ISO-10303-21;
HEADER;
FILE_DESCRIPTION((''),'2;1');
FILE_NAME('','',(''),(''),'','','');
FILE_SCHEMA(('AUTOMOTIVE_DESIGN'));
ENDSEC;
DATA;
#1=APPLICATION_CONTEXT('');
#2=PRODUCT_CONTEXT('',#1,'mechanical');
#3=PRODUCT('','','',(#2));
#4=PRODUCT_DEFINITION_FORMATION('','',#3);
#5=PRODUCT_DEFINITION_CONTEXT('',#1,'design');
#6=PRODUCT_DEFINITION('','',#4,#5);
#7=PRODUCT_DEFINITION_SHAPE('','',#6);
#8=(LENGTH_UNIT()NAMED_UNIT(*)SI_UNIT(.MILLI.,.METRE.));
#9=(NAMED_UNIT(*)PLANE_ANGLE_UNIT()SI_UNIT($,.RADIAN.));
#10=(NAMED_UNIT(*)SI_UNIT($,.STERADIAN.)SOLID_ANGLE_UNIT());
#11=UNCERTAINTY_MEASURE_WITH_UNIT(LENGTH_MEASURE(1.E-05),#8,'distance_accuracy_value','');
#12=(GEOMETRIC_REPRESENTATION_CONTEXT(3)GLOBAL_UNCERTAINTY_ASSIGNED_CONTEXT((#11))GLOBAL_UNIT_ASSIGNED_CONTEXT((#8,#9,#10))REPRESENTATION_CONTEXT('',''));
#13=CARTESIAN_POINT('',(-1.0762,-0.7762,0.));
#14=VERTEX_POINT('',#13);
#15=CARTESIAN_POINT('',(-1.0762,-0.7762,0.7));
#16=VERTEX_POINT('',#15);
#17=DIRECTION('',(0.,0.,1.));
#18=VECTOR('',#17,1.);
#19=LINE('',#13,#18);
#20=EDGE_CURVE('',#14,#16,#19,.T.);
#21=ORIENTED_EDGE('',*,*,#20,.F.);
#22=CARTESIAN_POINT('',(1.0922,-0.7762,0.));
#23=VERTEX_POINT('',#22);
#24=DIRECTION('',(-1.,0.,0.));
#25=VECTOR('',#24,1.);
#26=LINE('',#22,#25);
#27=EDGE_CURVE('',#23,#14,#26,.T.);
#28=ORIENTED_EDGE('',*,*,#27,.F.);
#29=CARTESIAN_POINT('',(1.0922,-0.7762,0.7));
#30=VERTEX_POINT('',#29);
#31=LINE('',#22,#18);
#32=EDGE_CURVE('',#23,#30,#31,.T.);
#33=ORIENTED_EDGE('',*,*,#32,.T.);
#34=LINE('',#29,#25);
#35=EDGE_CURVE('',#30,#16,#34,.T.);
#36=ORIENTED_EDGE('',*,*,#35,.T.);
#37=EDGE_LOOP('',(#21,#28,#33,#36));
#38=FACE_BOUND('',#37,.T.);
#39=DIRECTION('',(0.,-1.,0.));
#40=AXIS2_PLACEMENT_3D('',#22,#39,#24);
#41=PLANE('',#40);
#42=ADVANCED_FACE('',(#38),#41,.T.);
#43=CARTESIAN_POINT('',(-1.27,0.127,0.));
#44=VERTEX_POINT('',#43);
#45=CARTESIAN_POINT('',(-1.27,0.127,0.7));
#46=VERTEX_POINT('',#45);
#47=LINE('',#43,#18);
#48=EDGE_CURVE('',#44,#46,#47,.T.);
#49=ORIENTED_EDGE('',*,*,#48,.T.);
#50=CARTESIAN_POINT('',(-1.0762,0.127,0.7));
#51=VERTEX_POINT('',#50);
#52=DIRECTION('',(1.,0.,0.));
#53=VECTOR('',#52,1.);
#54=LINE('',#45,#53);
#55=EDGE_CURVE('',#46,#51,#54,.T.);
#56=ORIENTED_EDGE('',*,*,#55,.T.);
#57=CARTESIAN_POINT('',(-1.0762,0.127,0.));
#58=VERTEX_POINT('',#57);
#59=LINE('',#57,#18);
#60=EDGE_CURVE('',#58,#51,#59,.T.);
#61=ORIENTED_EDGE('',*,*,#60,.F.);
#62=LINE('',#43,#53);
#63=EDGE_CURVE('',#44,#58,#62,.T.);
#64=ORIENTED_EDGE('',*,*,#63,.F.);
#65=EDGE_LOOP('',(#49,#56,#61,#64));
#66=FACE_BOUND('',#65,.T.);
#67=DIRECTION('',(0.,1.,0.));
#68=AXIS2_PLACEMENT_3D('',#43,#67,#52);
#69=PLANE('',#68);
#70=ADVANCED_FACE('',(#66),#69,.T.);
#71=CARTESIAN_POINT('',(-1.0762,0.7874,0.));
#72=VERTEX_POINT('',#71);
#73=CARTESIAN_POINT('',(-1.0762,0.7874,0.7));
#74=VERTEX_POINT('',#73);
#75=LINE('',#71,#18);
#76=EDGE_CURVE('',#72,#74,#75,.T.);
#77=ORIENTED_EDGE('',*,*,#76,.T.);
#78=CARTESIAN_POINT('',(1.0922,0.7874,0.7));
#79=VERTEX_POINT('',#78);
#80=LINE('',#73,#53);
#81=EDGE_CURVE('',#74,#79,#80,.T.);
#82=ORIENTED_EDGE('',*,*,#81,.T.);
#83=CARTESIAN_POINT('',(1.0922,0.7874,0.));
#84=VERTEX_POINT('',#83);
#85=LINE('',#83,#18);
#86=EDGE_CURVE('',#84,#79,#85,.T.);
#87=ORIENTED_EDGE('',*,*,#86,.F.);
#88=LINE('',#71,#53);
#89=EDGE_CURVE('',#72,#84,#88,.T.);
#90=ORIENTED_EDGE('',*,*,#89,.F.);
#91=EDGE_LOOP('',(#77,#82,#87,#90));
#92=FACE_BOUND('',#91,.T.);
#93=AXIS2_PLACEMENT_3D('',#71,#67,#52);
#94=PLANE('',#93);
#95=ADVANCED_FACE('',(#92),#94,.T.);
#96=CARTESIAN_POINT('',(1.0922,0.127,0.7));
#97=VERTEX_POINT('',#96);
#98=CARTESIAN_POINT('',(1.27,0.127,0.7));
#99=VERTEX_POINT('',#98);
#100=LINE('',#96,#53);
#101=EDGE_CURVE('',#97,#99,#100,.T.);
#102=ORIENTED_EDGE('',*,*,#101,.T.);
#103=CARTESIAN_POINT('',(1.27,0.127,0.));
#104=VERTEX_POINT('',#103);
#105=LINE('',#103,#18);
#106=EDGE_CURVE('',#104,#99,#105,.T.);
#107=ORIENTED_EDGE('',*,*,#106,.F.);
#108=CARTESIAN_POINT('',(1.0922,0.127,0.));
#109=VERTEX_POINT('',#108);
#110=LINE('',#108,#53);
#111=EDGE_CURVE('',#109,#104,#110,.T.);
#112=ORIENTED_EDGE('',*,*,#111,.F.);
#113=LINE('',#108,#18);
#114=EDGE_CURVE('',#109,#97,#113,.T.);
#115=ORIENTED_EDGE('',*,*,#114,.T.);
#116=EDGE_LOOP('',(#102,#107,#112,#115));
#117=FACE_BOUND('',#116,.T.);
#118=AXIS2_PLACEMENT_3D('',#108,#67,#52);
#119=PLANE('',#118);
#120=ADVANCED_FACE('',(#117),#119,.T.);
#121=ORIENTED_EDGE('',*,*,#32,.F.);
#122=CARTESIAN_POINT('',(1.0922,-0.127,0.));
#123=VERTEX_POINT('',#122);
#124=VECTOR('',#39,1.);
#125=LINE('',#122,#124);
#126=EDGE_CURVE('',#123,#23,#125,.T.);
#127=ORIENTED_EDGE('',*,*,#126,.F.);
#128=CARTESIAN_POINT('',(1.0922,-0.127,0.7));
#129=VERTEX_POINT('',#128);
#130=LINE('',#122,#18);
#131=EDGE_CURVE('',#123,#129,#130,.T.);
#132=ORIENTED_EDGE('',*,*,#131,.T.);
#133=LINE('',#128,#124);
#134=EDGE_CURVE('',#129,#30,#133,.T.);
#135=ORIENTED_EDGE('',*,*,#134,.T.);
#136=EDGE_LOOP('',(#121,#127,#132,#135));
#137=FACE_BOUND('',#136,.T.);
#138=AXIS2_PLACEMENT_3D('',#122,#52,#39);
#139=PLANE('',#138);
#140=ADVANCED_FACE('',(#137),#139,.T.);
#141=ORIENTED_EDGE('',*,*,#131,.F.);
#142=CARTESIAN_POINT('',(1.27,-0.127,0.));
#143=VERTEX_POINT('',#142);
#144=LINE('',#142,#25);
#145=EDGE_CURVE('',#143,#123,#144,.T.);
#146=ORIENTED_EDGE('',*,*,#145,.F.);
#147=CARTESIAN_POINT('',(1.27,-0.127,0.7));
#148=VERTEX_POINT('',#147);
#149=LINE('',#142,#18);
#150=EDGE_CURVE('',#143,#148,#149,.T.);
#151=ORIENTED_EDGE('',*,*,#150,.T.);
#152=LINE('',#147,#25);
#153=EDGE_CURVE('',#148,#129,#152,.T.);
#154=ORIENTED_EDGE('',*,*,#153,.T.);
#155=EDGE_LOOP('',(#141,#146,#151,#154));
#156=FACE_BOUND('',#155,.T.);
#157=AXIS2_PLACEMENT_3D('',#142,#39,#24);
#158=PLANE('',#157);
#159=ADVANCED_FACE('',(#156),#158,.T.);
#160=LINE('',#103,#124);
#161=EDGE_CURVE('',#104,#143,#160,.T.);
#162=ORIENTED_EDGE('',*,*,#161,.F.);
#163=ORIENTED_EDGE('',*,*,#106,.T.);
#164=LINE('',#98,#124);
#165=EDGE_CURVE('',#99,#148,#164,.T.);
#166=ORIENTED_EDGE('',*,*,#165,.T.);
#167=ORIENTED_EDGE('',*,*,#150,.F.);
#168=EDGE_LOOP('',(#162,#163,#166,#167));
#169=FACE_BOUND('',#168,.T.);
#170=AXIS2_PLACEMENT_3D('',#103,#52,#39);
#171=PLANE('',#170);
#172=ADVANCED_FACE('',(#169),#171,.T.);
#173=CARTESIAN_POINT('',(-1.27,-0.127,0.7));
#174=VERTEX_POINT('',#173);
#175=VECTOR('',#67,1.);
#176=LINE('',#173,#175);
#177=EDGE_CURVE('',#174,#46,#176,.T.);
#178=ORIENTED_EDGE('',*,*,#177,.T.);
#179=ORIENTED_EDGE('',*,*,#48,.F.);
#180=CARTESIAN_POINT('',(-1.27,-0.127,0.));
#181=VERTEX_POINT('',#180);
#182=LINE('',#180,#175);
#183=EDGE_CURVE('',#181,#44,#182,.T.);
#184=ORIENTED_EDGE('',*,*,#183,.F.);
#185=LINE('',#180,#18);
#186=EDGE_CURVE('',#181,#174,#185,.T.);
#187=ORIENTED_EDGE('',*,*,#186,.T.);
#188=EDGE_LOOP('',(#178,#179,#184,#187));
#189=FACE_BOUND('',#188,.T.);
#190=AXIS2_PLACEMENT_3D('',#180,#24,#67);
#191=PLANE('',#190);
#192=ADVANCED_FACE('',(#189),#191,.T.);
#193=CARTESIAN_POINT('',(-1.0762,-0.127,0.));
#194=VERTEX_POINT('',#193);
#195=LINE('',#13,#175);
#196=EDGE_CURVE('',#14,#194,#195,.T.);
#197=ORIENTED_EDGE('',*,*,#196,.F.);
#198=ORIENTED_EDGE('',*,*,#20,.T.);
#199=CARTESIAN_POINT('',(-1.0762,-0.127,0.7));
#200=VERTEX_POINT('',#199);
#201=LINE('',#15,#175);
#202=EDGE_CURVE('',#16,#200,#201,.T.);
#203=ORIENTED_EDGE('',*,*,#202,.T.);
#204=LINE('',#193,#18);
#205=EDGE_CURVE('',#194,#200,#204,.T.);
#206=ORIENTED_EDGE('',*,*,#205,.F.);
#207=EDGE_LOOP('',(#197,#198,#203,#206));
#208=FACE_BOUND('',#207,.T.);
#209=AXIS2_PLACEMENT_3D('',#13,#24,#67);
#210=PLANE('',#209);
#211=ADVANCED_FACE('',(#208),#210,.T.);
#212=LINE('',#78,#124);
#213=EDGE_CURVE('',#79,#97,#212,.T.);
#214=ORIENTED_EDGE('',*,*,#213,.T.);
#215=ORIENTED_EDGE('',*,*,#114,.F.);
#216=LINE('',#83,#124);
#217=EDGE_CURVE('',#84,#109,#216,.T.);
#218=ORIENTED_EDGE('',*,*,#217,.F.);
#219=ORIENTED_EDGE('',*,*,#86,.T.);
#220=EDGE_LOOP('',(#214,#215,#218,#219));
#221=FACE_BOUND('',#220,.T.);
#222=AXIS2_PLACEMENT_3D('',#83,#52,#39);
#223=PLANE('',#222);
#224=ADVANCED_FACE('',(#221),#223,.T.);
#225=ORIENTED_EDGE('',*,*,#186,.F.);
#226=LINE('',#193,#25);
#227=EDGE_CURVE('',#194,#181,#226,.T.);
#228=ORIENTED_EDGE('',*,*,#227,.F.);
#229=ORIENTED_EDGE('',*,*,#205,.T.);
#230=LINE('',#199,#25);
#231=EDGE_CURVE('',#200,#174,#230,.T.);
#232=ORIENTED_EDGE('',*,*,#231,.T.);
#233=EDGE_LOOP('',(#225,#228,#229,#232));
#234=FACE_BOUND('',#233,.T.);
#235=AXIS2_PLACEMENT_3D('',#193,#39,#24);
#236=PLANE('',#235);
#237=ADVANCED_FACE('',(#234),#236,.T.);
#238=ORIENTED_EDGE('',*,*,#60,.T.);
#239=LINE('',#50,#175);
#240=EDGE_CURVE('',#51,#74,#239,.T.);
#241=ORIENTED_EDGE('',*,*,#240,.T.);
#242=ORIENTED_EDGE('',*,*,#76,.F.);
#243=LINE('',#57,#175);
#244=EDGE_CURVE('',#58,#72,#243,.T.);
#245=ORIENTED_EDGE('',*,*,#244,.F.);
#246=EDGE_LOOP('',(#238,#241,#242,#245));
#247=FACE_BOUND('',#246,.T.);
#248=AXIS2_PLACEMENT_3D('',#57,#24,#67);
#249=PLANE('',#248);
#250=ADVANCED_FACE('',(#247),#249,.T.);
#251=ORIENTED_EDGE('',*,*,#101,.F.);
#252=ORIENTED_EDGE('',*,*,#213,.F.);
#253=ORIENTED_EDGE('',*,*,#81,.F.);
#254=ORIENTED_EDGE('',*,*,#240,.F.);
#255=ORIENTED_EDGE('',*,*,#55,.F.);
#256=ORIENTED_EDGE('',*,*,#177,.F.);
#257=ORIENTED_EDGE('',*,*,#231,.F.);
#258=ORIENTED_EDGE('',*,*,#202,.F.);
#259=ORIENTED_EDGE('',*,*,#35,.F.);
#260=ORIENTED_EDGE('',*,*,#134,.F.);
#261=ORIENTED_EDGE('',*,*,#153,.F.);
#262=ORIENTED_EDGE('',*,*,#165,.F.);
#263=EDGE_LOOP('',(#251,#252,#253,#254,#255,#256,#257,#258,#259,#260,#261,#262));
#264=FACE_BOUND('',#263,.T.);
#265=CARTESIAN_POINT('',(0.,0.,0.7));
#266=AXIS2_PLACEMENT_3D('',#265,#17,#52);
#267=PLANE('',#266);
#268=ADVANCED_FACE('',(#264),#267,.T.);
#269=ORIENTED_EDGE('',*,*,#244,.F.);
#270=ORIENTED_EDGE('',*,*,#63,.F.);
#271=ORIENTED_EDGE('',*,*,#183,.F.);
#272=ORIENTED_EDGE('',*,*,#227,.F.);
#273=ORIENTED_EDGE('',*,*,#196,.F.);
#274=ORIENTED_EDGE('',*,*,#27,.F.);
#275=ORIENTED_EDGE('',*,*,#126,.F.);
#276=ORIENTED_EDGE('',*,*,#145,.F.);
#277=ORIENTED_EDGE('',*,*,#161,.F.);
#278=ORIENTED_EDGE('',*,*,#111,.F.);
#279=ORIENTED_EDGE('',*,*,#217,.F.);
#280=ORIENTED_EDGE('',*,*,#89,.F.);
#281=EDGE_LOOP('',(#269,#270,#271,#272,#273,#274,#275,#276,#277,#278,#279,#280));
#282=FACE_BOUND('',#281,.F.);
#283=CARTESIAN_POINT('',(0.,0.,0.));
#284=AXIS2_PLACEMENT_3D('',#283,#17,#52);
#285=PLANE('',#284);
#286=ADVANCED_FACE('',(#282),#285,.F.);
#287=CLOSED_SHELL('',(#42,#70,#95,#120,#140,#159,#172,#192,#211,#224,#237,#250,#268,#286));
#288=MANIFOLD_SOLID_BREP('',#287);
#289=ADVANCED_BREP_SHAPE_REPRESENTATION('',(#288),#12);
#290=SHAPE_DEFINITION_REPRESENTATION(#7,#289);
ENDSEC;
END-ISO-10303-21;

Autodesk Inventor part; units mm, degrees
ref_plane "YZ Plane" through (0, 0, 0) normal (1, 0, 0) x (0, 1, 0)
ref_plane "XZ Plane" through (0, 0, 0) normal (0, 1, 0) x (-1, 0, 0)
ref_plane "XY Plane" through (0, 0, 0) normal (0, 0, 1) x (1, 0, 0)
sketch "SOD323-R, SZMM3Z4V7T1G_137" plane through (0, 0, 0) normal (0, 0, 1) x (1, 0, 0)
  line L0 (1.0922, -0.127) -> (1.0922, -0.7762)
  line L1 (1.0922, -0.7762) -> (-1.0762, -0.7762)
  line L2 (-1.0762, -0.7762) -> (-1.0762, -0.127)
  line L3 (-1.0762, -0.127) -> (-1.27, -0.127)
  line L4 (-1.27, -0.127) -> (-1.27, 0.127)
  line L5 (-1.27, 0.127) -> (-1.0762, 0.127)
  line L6 (-1.0762, 0.127) -> (-1.0762, 0.7874)
  line L7 (-1.0762, 0.7874) -> (1.0922, 0.7874)
  line L8 (1.0922, 0.7874) -> (1.0922, 0.127)
  line L9 (1.0922, 0.127) -> (1.27, 0.127)
  line L10 (1.27, 0.127) -> (1.27, -0.127)
  line L11 (1.27, -0.127) -> (1.0922, -0.127)
extrude "Extrusion1" add sketch "SOD323-R, SZMM3Z4V7T1G_137" along normal blind 0.7
properties part number "SZMM3Z4V7T1G"
